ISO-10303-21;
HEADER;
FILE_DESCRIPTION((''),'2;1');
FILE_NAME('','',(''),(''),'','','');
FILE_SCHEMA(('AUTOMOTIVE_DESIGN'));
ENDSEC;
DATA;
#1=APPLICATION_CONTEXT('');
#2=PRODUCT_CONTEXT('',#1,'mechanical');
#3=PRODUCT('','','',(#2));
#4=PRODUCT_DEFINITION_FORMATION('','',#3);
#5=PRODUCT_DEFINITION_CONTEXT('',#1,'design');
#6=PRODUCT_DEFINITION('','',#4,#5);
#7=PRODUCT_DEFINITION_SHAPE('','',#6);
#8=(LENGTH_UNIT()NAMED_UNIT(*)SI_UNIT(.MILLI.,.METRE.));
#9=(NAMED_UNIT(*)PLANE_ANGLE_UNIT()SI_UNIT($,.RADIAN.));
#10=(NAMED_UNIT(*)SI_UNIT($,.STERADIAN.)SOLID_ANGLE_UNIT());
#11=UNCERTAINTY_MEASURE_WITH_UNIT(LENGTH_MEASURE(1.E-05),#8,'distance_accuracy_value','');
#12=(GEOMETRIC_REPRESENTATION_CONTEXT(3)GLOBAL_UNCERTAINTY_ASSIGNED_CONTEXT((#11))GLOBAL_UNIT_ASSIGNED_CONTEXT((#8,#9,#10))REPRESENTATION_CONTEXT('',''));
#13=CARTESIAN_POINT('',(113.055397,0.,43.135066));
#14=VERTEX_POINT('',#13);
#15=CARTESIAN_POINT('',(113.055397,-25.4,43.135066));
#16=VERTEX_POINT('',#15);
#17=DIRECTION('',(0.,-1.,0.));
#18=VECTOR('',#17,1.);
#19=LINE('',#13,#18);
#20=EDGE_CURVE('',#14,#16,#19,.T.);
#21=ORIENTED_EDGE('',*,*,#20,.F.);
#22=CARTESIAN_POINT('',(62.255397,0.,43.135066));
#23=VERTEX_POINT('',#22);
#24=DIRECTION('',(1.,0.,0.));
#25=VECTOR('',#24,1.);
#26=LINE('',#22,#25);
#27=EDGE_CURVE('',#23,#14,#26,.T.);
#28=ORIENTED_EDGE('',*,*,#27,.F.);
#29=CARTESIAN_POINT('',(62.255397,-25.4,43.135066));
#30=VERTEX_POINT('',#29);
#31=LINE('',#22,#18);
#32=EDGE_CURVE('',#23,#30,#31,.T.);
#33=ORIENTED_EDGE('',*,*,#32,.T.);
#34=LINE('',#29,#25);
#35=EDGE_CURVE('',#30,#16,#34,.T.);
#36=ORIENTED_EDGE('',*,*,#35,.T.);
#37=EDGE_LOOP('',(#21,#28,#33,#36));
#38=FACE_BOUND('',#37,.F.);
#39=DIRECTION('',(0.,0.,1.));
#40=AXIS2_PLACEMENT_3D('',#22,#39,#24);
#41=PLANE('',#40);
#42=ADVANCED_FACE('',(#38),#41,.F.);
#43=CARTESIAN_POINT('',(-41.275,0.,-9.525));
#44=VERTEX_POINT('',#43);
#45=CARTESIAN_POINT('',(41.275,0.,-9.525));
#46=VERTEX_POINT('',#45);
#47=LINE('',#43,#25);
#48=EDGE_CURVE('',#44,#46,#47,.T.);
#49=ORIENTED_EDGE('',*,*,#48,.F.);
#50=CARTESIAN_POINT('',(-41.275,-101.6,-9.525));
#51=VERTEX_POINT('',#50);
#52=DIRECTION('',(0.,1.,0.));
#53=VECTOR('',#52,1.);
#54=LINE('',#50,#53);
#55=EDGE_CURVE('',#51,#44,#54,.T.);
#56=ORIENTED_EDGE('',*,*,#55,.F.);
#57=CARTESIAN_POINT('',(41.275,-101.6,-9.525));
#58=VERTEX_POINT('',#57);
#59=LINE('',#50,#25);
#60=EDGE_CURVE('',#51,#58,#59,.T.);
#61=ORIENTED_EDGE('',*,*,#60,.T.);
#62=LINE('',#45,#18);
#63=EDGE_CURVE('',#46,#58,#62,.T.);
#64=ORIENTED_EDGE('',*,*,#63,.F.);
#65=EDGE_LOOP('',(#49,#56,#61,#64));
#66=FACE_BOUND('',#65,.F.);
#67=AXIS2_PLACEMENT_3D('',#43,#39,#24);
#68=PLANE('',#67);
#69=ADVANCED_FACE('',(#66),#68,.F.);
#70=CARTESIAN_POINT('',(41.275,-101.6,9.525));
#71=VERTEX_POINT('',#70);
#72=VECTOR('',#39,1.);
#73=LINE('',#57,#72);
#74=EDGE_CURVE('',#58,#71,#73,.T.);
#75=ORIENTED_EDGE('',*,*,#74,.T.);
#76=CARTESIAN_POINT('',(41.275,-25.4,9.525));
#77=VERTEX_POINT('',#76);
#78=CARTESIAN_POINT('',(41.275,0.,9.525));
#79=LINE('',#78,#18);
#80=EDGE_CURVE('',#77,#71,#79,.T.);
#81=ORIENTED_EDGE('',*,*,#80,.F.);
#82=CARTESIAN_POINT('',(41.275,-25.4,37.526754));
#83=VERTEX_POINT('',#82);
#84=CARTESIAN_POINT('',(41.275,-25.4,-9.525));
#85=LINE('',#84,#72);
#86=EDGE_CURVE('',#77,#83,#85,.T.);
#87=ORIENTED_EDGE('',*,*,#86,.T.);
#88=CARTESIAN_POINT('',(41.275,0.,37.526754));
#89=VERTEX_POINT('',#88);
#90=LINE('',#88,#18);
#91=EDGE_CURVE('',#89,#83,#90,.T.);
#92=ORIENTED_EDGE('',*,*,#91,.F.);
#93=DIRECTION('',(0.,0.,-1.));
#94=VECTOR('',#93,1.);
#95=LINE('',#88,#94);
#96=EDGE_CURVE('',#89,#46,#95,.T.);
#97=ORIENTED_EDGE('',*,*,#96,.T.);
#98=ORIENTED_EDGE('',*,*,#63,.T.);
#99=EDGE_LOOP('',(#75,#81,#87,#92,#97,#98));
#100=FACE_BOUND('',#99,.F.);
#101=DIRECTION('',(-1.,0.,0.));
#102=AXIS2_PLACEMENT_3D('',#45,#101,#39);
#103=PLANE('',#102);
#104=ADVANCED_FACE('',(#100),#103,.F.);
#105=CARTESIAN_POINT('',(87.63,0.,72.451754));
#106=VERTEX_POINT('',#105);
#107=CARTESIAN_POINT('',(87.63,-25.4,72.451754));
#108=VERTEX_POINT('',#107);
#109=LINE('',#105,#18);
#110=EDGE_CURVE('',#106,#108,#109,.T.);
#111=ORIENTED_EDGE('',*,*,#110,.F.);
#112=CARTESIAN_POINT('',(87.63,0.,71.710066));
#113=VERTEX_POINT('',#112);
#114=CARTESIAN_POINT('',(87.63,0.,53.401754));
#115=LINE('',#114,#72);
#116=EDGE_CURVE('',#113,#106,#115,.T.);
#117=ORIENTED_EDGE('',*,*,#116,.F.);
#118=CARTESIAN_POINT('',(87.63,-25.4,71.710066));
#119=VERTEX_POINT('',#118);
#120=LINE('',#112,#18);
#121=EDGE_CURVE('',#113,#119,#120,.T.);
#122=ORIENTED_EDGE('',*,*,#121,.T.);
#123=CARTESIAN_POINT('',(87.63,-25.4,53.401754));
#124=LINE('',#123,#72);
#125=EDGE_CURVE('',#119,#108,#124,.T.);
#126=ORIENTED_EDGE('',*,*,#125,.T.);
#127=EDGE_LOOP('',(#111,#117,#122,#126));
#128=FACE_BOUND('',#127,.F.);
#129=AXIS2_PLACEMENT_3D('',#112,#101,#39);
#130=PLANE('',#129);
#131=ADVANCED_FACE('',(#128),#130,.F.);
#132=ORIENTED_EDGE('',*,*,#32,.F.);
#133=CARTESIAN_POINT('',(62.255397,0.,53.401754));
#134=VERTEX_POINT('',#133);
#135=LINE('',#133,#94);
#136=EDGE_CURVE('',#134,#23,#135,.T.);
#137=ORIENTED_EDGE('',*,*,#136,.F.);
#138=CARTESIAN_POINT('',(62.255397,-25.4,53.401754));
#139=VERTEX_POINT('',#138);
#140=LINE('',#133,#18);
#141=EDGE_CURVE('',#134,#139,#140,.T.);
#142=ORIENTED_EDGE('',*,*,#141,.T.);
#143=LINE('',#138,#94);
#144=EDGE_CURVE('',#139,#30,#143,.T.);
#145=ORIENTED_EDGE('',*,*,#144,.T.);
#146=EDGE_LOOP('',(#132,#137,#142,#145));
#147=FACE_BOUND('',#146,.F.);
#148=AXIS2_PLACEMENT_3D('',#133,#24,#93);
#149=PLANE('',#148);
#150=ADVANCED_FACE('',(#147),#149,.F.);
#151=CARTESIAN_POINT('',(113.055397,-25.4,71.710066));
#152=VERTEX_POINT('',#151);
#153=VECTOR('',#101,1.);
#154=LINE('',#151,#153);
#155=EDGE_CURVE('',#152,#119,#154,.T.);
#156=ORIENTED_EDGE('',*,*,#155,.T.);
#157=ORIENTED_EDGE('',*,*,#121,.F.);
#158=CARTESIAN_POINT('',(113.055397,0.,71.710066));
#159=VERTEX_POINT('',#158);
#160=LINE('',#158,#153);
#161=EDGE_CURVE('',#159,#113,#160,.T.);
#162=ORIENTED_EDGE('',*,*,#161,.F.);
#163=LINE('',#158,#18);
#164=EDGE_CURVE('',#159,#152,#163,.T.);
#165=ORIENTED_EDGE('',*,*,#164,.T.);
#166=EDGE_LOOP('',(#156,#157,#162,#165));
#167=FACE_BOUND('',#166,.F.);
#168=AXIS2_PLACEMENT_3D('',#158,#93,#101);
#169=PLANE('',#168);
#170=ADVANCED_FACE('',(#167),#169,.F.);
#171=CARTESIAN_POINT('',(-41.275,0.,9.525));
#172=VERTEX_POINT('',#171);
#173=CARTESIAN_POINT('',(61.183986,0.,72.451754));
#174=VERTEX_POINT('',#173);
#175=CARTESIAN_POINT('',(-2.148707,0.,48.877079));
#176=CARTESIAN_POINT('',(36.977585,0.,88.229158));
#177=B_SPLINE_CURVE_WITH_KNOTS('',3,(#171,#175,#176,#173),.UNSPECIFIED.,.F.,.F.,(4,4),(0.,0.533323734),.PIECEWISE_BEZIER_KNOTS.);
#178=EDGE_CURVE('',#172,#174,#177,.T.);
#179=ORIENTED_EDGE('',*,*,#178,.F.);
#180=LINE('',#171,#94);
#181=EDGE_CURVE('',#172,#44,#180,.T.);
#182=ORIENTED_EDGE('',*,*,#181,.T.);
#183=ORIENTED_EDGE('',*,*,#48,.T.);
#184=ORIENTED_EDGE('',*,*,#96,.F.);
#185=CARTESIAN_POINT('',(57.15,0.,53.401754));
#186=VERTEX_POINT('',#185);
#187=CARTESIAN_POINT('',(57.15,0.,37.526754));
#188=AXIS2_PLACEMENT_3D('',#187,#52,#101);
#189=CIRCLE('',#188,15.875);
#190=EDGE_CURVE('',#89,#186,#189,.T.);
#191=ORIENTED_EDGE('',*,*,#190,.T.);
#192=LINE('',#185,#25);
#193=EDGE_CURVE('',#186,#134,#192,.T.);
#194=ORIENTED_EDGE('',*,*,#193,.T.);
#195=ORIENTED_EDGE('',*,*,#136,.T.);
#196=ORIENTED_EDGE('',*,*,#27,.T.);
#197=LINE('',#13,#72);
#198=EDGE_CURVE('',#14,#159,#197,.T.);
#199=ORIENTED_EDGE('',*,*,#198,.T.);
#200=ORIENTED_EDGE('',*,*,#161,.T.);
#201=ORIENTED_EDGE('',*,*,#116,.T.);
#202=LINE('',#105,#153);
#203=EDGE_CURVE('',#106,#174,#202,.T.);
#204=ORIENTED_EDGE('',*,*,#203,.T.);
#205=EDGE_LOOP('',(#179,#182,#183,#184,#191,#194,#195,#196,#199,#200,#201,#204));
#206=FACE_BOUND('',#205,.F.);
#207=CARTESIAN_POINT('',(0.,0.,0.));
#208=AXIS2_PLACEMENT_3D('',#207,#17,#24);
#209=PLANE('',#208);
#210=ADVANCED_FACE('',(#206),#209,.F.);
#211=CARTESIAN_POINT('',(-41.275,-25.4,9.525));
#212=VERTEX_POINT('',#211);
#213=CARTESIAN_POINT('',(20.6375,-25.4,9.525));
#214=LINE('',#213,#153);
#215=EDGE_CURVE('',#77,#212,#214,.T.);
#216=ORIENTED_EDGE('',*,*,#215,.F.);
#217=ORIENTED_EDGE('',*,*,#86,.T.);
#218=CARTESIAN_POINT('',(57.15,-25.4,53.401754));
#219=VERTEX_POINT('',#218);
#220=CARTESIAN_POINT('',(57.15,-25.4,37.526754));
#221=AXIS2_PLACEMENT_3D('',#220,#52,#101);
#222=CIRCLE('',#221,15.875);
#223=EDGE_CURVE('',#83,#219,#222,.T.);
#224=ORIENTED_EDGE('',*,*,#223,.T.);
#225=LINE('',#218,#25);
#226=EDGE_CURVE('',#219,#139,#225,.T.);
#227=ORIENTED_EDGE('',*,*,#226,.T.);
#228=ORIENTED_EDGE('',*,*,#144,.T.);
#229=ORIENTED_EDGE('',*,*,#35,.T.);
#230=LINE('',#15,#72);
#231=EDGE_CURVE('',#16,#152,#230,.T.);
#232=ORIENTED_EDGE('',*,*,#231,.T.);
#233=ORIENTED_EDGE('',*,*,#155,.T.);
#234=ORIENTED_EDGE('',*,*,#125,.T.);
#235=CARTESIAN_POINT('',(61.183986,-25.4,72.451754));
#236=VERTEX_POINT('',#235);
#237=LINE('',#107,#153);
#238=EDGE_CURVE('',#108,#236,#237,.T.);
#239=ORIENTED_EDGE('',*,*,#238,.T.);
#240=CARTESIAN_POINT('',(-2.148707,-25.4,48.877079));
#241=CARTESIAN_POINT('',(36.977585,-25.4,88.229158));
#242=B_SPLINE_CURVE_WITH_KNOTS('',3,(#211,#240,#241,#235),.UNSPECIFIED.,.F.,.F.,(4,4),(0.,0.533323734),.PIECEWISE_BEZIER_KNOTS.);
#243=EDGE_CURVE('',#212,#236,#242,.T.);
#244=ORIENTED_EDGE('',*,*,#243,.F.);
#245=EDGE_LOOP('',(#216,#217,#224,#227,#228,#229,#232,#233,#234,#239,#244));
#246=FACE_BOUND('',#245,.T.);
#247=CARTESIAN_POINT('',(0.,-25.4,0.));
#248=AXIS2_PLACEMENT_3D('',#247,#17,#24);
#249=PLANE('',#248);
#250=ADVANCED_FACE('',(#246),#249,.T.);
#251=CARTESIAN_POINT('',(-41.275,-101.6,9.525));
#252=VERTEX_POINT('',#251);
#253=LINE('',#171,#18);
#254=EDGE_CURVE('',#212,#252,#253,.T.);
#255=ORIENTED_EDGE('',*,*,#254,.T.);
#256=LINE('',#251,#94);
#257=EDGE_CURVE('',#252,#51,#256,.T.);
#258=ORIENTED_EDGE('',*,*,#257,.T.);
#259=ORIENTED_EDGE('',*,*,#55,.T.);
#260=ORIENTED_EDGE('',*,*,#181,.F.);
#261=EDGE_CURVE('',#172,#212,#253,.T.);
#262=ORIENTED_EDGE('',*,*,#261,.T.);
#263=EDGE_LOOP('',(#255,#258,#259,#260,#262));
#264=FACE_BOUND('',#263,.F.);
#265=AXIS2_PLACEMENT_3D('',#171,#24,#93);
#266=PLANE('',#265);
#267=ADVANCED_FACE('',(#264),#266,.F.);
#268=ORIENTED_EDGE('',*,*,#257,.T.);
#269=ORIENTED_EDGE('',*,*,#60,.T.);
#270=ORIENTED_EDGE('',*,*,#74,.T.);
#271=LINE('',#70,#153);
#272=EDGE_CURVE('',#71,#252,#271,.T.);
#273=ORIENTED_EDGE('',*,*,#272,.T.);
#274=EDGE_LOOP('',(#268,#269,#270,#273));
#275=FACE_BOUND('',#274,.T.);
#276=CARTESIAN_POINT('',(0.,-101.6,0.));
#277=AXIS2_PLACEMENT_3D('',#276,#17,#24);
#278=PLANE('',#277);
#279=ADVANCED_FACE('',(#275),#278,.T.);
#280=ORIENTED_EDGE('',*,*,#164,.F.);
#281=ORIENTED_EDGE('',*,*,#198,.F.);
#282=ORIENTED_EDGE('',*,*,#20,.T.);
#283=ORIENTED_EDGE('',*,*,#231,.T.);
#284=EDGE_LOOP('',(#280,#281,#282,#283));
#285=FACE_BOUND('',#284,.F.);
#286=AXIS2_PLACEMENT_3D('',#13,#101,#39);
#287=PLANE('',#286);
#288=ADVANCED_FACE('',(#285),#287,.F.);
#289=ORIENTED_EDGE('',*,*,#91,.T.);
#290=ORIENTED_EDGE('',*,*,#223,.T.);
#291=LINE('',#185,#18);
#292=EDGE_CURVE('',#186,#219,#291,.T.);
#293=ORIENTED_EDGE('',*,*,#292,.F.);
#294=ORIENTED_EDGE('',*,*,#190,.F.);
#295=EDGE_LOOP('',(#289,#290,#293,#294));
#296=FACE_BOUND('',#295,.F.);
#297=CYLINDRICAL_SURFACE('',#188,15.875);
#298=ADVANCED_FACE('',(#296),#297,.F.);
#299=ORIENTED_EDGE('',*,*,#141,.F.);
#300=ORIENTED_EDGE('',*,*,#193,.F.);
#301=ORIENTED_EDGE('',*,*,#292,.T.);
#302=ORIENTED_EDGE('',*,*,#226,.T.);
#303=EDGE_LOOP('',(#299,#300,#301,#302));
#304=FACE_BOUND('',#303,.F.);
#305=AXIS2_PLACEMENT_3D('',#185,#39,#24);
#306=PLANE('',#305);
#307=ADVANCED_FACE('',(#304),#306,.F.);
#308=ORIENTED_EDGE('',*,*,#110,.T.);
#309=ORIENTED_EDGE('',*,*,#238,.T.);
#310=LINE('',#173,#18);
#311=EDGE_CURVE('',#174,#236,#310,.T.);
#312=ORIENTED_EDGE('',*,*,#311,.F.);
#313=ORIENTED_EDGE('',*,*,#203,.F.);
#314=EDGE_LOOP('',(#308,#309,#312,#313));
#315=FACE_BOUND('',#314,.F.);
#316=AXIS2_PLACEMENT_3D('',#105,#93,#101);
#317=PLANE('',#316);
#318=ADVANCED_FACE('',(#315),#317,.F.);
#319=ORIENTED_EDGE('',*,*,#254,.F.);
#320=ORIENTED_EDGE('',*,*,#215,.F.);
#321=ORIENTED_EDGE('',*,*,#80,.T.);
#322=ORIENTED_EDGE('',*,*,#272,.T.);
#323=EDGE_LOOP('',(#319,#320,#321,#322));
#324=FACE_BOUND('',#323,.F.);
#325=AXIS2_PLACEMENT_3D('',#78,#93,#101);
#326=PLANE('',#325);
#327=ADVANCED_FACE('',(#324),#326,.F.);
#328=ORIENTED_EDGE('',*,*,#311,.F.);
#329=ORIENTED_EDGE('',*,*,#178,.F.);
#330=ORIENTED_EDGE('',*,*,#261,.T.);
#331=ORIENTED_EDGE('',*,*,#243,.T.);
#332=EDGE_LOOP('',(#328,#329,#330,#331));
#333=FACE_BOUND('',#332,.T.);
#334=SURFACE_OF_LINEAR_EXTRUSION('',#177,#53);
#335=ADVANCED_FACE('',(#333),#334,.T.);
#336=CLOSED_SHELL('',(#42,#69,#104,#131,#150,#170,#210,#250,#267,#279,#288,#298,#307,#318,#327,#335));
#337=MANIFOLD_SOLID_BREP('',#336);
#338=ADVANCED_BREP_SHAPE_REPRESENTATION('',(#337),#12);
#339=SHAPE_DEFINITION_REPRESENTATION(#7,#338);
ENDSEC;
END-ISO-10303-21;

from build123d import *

# Parameters (mm, degrees)
F1_DEPTH = 101.6
F2_DEPTH = 25.4


with BuildPart() as f1:
    # F0 (on Front) → F1 (new body)
    with BuildSketch(Plane.XZ):
        Polygon((-41.275, -9.525), (41.275, -9.525), (41.275, 9.525), (22.225, 9.525), (-41.275, 9.525), align=None)
    extrude(amount=F1_DEPTH)

    # F0 (on Front) → F2 (join)
    with BuildSketch(Plane.XZ):
        Polygon((-41.275, -9.525), (41.275, -9.525), (41.275, 9.525), (22.225, 9.525), (-41.275, 9.525), align=None)
        with BuildLine():
            Line((22.225, 9.525), (41.275, 9.525))
            Line((41.275, 9.525), (41.275, 37.5267544395))
            ThreePointArc((41.275, 37.5267544395), (45.9246798487, 48.7520745908), (57.15, 53.4017544395))
            Line((57.15, 53.4017544395), (62.2553965644, 53.4017544395))
            Line((62.2553965644, 53.4017544395), (62.2553965644, 71.7100659957))
            add(Edge.make_bspline(
                [(61.1839862246, 72.4517544395), (61.5444478672, 72.2168104336), (61.9016010693, 71.9696416328), (62.2553965644, 71.7100659957)],
                knots=[0.5333237342, 0.5333237342, 0.5333237342, 0.5333237342, 0.5412655487, 0.5412655487, 0.5412655487, 0.5412655487], degree=3))
            Line((61.1839862246, 72.4517544395), (57.15, 72.4517544395))
            ThreePointArc((57.15, 72.4517544395), (32.4542956671, 62.2224587724), (22.225, 37.5267544395))
            Line((22.225, 37.5267544395), (22.225, 9.525))
        make_face()
        with BuildLine():
            add(Edge.make_bspline(
                [(-41.275, 9.525), (-2.1487074739, 48.87707908), (36.9775850521, 88.2291581599), (61.1839862246, 72.4517544395)],
                knots=[0, 0, 0, 0, 0.5333237342, 0.5333237342, 0.5333237342, 0.5333237342], degree=3))
            Line((-41.275, 9.525), (22.225, 9.525))
            Line((22.225, 9.525), (22.225, 37.5267544395))
            ThreePointArc((22.225, 37.5267544395), (32.4542956671, 62.2224587724), (57.15, 72.4517544395))
            Line((57.15, 72.4517544395), (61.1839862246, 72.4517544395))
        make_face()
        with BuildLine():
            Line((87.63, 72.4517544395), (61.1839862246, 72.4517544395))
            add(Edge.make_bspline(
                [(61.1839862246, 72.4517544395), (61.5444478672, 72.2168104336), (61.9016010693, 71.9696416328), (62.2553965644, 71.7100659957)],
                knots=[0.5333237342, 0.5333237342, 0.5333237342, 0.5333237342, 0.5412655487, 0.5412655487, 0.5412655487, 0.5412655487], degree=3))
            Line((62.2553965644, 71.7100659957), (87.63, 71.7100659957))
            Line((87.63, 71.7100659957), (87.63, 72.4517544395))
        make_face()
        with BuildLine():
            add(Edge.make_bspline(
                [(62.2553965644, 71.7100659957), (67.5956887588, 67.7919557655), (72.1709689679, 61.0471014204), (75.9112780576, 53.4017544395)],
                knots=[0.5412655487, 0.5412655487, 0.5412655487, 0.5412655487, 0.6611416096, 0.6611416096, 0.6611416096, 0.6611416096], degree=3))
            Line((62.2553965644, 71.7100659957), (62.2553965644, 53.4017544395))
            Line((62.2553965644, 53.4017544395), (75.9112780576, 53.4017544395))
        make_face()
        with BuildLine():
            Line((87.63, 71.7100659957), (62.2553965644, 71.7100659957))
            add(Edge.make_bspline(
                [(62.2553965644, 71.7100659957), (67.5956887588, 67.7919557655), (72.1709689679, 61.0471014204), (75.9112780576, 53.4017544395)],
                knots=[0.5412655487, 0.5412655487, 0.5412655487, 0.5412655487, 0.6611416096, 0.6611416096, 0.6611416096, 0.6611416096], degree=3))
            Line((75.9112780576, 53.4017544395), (87.63, 53.4017544395))
            Line((87.63, 53.4017544395), (87.63, 71.7100659957))
        make_face()
        with BuildLine():
            Line((75.9112780576, 53.4017544395), (62.2553965644, 53.4017544395))
            Line((62.2553965644, 53.4017544395), (62.2553965644, 43.1350659957))
            Line((62.2553965644, 43.1350659957), (80.2891256511, 43.1350659957))
            add(Edge.make_bspline(
                [(75.9112780576, 53.4017544395), (77.5285535174, 50.0959762919), (78.989721228, 46.6218403707), (80.2891256511, 43.1350659957)],
                knots=[0.6611416096, 0.6611416096, 0.6611416096, 0.6611416096, 0.7129749225, 0.7129749225, 0.7129749225, 0.7129749225], degree=3))
        make_face()
        Polygon((113.0553965644, 71.7100659957), (87.63, 71.7100659957), (87.63, 53.4017544395), (87.63, 43.1350659957), (113.0553965644, 43.1350659957), align=None)
        with BuildLine():
            Line((87.63, 53.4017544395), (75.9112780576, 53.4017544395))
            add(Edge.make_bspline(
                [(75.9112780576, 53.4017544395), (77.5285535174, 50.0959762919), (78.989721228, 46.6218403707), (80.2891256511, 43.1350659957)],
                knots=[0.6611416096, 0.6611416096, 0.6611416096, 0.6611416096, 0.7129749225, 0.7129749225, 0.7129749225, 0.7129749225], degree=3))
            Line((80.2891256511, 43.1350659957), (87.63, 43.1350659957))
            Line((87.63, 43.1350659957), (87.63, 53.4017544395))
        make_face()
    extrude(amount=F2_DEPTH)


solid = f1.part
